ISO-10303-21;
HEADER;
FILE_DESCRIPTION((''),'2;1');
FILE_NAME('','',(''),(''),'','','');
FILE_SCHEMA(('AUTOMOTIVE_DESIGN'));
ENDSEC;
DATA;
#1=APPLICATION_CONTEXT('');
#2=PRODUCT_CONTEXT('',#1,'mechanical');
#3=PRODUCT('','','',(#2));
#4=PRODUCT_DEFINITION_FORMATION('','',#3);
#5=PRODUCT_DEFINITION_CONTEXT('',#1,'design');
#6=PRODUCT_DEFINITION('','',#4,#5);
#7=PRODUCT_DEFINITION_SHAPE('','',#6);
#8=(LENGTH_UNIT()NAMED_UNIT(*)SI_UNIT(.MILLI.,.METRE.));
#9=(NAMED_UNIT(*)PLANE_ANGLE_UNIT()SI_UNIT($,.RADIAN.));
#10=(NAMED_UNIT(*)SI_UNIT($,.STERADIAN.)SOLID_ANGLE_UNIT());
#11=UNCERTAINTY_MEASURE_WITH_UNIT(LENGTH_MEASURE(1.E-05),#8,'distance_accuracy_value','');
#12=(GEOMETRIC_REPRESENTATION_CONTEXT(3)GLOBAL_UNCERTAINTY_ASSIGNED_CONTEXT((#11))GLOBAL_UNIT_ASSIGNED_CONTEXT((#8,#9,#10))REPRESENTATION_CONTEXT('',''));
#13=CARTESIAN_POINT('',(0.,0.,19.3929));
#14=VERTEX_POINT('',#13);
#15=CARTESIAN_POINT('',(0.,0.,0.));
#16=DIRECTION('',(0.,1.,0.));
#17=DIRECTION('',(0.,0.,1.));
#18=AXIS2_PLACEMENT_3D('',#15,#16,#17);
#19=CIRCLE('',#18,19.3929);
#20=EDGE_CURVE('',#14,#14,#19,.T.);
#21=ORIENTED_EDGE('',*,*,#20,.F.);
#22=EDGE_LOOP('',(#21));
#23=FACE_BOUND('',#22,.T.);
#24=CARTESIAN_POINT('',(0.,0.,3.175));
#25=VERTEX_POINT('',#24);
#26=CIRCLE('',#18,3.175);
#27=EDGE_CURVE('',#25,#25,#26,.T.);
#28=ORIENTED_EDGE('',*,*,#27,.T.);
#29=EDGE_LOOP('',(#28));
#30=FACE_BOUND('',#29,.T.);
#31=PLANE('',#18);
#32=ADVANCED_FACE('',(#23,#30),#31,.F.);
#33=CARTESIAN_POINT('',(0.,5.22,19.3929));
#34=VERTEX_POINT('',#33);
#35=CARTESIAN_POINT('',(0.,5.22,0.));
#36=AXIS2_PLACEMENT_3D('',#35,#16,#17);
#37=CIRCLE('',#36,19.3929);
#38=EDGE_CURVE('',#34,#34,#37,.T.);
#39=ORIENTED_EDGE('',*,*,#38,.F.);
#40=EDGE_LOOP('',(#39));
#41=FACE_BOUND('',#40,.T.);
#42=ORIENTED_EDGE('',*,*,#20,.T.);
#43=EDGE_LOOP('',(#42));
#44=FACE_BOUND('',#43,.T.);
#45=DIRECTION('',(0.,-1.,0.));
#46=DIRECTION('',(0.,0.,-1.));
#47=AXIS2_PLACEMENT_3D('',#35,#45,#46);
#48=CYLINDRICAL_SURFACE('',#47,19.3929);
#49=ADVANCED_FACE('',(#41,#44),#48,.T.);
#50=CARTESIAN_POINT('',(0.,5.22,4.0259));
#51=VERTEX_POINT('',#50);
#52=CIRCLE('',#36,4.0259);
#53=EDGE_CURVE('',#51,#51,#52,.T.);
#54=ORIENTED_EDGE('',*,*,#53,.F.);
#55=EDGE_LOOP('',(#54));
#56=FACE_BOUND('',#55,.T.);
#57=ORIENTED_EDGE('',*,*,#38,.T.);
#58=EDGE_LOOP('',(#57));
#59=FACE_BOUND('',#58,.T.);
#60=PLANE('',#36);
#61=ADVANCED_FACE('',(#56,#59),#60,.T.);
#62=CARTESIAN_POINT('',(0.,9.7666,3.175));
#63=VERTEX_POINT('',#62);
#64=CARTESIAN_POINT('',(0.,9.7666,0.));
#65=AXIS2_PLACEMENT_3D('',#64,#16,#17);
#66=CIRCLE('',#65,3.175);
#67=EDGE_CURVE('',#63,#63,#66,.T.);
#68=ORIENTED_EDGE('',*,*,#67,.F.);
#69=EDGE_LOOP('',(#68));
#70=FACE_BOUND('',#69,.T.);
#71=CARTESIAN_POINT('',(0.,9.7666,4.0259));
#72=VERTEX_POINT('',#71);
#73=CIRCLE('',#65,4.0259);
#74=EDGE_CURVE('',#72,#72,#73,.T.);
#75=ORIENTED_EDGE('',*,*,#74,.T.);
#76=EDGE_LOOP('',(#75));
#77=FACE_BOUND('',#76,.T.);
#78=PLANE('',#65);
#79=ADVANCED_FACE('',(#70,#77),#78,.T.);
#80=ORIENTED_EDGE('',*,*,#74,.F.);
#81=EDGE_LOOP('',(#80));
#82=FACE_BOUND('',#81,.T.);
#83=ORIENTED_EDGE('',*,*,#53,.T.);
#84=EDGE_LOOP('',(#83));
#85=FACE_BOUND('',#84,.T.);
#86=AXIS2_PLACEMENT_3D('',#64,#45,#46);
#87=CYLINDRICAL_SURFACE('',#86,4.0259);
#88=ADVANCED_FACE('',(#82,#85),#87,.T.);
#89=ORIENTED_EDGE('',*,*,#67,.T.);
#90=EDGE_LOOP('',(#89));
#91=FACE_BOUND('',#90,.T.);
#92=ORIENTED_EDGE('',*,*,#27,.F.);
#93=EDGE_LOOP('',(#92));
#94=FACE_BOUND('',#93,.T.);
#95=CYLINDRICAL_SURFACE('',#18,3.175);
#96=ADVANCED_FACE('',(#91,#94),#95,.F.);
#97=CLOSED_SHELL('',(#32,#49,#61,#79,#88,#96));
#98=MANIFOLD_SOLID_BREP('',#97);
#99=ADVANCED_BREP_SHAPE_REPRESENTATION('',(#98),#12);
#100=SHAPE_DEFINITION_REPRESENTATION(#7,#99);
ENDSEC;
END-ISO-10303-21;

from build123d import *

# Parameters (mm, degrees)
SKETCH1_R           = 19.3929
BOSS_EXTRUDE1_DEPTH = 5.22
SKETCH2_R           = 3.175
CUT_EXTRUDE1_DEPTH  = 28.918050448
BOSS_EXTRUDE2_START = 4.5466
SKETCH3_R           = 4.0259
SKETCH3_R_2         = 3.175
BOSS_EXTRUDE2_DEPTH = 4.5466


with BuildPart() as part:
    # Sketch1 → Boss-Extrude1 (new body)
    with BuildSketch(Plane(origin=(0, 0, 0), x_dir=(1, 0, 0), z_dir=(0, 1, 0))):
        with Locations(Location((0, 0, 0), (0, 0, 270))):
            Circle(SKETCH1_R)
    extrude(amount=BOSS_EXTRUDE1_DEPTH)

    # Sketch2 → Cut-Extrude1 (cut, through all)
    with BuildSketch(Plane(origin=(0, 5.22, 0), x_dir=(1, 0, 0), z_dir=(0, 1, 0))):
        with Locations(Location((0, 0, 0), (0, 0, 270))):
            Circle(SKETCH2_R)
    extrude(amount=-CUT_EXTRUDE1_DEPTH, mode=Mode.SUBTRACT)

    # Sketch3 → Boss-Extrude2 (add)
    with BuildSketch(Plane(origin=(0, 5.22, 0), x_dir=(1, 0, 0), z_dir=(0, 1, 0)).offset(BOSS_EXTRUDE2_START)):
        with Locations(Location((0, 0, 0), (0, 0, 270))):
            Circle(SKETCH3_R)
        with Locations(Location((0, 0, 0), (0, 0, 270))):
            Circle(SKETCH3_R_2, mode=Mode.SUBTRACT)
    extrude(amount=-BOSS_EXTRUDE2_DEPTH)


solid = part.part
